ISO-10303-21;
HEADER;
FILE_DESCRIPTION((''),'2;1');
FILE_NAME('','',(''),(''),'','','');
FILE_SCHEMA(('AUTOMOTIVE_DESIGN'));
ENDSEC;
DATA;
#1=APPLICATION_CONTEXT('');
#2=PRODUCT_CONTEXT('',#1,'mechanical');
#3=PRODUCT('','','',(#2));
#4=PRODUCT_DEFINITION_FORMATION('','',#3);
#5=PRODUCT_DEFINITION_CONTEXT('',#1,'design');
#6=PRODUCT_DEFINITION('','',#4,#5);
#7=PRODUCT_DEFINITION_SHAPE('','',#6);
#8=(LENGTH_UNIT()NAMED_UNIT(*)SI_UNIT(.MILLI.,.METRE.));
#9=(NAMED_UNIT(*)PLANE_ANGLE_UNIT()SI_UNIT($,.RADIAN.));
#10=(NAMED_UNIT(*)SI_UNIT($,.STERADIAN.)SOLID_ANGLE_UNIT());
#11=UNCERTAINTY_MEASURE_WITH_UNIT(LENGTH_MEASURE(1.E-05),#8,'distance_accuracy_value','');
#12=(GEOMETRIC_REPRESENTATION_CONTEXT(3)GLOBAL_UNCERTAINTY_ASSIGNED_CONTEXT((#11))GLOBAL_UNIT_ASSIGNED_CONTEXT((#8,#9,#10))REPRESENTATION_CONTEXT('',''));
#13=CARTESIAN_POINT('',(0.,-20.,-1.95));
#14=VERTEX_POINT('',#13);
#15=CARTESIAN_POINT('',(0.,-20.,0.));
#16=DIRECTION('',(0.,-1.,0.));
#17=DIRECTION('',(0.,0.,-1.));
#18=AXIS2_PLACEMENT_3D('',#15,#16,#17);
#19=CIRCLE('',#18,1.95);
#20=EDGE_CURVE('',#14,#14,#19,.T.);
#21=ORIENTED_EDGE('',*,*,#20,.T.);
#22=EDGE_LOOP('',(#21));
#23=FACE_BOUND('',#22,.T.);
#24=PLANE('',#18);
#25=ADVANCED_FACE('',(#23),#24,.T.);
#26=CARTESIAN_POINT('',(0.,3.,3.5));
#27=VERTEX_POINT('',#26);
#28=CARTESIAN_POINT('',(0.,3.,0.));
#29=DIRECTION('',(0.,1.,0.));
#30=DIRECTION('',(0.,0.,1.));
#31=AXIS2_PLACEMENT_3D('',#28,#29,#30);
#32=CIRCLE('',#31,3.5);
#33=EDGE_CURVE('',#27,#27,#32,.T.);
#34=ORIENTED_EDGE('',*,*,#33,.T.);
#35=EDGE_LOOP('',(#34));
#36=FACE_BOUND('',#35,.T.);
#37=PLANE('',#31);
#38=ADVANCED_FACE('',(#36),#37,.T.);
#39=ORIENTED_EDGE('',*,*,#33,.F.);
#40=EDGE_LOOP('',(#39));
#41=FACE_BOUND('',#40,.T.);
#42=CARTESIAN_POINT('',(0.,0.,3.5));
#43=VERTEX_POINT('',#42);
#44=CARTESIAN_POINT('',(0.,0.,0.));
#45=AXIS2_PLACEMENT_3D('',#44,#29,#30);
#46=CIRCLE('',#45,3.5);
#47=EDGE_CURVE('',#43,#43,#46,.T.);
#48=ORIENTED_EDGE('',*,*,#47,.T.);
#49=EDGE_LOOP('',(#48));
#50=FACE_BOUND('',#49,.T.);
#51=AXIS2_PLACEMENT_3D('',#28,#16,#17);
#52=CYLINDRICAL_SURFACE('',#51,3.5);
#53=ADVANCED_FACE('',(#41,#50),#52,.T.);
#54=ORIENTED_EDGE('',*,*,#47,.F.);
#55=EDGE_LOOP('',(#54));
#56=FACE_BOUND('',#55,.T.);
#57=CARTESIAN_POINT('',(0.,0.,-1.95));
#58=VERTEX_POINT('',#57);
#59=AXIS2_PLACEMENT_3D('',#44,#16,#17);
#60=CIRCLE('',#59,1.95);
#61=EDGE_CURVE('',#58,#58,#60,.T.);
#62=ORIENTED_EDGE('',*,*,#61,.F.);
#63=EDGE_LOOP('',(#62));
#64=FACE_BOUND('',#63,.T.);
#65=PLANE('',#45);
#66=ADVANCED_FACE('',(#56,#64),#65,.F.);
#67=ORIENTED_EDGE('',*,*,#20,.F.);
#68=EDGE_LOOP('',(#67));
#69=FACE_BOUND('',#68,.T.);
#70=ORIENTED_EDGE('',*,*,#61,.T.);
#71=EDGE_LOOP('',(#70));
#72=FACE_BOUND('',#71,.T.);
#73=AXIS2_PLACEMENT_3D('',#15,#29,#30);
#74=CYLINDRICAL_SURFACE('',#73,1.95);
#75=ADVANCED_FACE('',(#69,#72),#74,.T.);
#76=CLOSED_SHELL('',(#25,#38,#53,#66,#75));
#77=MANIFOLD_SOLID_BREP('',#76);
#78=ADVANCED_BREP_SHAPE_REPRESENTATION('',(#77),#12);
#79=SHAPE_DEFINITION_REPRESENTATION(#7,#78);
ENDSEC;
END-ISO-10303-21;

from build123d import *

# Parameters (mm, degrees)
SKETCH1_R           = 3.5
BOSS_EXTRUDE1_DEPTH = 3
SKETCH2_R           = 1.95
BOSS_EXTRUDE2_DEPTH = 20


with BuildPart() as part:
    # Sketch1 → Boss-Extrude1 (new body)
    with BuildSketch(Plane(origin=(0, 0, 0), x_dir=(1, 0, 0), z_dir=(0, 1, 0))):
        Circle(SKETCH1_R)
    extrude(amount=BOSS_EXTRUDE1_DEPTH)

    # Sketch2 → Boss-Extrude2 (add)
    with BuildSketch(Plane.XZ):
        Circle(SKETCH2_R)
    extrude(amount=BOSS_EXTRUDE2_DEPTH)


solid = part.part
